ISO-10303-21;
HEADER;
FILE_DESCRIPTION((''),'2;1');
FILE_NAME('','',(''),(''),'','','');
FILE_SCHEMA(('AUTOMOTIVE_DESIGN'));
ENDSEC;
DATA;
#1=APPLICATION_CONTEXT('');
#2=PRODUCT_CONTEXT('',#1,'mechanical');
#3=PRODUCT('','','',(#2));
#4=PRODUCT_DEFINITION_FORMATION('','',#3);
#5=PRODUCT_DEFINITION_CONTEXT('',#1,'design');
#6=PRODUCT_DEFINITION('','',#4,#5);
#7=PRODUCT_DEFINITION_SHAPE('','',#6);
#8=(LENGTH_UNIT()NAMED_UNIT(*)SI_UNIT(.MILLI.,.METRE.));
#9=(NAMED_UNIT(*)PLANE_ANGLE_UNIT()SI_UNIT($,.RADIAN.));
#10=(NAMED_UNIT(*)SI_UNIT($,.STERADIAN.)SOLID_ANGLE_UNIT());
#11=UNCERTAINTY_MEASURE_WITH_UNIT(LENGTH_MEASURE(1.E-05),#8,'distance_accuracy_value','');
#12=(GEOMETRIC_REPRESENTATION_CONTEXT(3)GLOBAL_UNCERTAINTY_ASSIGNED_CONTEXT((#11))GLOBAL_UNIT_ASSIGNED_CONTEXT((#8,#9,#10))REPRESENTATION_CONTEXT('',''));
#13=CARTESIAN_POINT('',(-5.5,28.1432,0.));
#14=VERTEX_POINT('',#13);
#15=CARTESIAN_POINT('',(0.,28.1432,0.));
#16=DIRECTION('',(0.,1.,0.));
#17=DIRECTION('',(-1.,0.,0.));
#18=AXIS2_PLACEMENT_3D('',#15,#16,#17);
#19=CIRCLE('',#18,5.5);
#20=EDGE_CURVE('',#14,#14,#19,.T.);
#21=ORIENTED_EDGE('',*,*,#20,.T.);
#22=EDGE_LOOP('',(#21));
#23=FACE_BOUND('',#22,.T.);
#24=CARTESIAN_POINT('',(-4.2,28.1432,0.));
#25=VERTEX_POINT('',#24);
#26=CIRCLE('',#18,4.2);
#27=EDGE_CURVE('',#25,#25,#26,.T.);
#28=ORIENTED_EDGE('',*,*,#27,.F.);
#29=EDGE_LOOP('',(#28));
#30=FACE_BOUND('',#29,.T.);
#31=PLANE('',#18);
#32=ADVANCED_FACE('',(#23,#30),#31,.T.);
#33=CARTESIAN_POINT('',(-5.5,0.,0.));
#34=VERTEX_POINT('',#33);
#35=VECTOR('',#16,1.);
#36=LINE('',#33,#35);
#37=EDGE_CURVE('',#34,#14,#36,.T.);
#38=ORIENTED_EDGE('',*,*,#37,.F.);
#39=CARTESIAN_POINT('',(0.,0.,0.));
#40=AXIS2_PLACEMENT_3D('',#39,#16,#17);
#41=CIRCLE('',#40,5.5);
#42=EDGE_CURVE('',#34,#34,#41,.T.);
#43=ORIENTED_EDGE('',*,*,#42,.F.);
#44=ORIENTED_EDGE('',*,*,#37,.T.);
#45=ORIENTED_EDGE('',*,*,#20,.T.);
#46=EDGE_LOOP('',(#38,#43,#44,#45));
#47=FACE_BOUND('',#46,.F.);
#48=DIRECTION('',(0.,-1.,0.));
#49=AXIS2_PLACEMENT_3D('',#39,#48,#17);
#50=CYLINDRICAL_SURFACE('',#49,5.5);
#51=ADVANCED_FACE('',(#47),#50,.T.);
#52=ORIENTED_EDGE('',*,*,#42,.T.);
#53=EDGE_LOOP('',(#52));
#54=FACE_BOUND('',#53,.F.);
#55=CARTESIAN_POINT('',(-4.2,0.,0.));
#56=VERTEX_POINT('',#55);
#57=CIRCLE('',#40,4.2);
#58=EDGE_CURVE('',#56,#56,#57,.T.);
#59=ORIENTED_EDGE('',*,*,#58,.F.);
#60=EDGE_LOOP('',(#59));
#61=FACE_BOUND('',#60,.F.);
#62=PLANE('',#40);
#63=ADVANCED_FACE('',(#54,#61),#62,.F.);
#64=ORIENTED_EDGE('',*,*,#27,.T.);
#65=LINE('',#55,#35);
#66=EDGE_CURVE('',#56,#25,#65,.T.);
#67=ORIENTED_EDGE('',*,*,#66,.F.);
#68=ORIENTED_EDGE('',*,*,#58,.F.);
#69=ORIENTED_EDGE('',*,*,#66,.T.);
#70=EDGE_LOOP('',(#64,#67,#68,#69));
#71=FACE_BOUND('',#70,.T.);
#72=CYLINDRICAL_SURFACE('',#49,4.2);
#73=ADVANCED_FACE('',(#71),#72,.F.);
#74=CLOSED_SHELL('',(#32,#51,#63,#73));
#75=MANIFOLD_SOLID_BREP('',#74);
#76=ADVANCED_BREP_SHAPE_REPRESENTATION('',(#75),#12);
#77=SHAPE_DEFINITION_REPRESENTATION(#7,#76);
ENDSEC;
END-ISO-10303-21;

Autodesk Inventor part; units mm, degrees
ref_plane "YZ Plane" through (0, 0, 0) normal (1, 0, 0) x (0, 1, 0)
ref_plane "XZ Plane" through (0, 0, 0) normal (0, 1, 0) x (-1, 0, 0)
ref_plane "XY Plane" through (0, 0, 0) normal (0, 0, 1) x (1, 0, 0)
sketch "Sketch1" plane through (0, 0, 0) normal (0, 1, 0) x (-1, 0, 0)
  circle A0 centre (0, 0) radius 4.2
  circle A1 centre (0, 0) radius 5.5
  dimension "d1" = 8.4
  dimension "d2" = 11
extrude "Extrusion1" add sketch "Sketch1" along normal blind 28.1432
properties part number "spacer for wheel pulley"
